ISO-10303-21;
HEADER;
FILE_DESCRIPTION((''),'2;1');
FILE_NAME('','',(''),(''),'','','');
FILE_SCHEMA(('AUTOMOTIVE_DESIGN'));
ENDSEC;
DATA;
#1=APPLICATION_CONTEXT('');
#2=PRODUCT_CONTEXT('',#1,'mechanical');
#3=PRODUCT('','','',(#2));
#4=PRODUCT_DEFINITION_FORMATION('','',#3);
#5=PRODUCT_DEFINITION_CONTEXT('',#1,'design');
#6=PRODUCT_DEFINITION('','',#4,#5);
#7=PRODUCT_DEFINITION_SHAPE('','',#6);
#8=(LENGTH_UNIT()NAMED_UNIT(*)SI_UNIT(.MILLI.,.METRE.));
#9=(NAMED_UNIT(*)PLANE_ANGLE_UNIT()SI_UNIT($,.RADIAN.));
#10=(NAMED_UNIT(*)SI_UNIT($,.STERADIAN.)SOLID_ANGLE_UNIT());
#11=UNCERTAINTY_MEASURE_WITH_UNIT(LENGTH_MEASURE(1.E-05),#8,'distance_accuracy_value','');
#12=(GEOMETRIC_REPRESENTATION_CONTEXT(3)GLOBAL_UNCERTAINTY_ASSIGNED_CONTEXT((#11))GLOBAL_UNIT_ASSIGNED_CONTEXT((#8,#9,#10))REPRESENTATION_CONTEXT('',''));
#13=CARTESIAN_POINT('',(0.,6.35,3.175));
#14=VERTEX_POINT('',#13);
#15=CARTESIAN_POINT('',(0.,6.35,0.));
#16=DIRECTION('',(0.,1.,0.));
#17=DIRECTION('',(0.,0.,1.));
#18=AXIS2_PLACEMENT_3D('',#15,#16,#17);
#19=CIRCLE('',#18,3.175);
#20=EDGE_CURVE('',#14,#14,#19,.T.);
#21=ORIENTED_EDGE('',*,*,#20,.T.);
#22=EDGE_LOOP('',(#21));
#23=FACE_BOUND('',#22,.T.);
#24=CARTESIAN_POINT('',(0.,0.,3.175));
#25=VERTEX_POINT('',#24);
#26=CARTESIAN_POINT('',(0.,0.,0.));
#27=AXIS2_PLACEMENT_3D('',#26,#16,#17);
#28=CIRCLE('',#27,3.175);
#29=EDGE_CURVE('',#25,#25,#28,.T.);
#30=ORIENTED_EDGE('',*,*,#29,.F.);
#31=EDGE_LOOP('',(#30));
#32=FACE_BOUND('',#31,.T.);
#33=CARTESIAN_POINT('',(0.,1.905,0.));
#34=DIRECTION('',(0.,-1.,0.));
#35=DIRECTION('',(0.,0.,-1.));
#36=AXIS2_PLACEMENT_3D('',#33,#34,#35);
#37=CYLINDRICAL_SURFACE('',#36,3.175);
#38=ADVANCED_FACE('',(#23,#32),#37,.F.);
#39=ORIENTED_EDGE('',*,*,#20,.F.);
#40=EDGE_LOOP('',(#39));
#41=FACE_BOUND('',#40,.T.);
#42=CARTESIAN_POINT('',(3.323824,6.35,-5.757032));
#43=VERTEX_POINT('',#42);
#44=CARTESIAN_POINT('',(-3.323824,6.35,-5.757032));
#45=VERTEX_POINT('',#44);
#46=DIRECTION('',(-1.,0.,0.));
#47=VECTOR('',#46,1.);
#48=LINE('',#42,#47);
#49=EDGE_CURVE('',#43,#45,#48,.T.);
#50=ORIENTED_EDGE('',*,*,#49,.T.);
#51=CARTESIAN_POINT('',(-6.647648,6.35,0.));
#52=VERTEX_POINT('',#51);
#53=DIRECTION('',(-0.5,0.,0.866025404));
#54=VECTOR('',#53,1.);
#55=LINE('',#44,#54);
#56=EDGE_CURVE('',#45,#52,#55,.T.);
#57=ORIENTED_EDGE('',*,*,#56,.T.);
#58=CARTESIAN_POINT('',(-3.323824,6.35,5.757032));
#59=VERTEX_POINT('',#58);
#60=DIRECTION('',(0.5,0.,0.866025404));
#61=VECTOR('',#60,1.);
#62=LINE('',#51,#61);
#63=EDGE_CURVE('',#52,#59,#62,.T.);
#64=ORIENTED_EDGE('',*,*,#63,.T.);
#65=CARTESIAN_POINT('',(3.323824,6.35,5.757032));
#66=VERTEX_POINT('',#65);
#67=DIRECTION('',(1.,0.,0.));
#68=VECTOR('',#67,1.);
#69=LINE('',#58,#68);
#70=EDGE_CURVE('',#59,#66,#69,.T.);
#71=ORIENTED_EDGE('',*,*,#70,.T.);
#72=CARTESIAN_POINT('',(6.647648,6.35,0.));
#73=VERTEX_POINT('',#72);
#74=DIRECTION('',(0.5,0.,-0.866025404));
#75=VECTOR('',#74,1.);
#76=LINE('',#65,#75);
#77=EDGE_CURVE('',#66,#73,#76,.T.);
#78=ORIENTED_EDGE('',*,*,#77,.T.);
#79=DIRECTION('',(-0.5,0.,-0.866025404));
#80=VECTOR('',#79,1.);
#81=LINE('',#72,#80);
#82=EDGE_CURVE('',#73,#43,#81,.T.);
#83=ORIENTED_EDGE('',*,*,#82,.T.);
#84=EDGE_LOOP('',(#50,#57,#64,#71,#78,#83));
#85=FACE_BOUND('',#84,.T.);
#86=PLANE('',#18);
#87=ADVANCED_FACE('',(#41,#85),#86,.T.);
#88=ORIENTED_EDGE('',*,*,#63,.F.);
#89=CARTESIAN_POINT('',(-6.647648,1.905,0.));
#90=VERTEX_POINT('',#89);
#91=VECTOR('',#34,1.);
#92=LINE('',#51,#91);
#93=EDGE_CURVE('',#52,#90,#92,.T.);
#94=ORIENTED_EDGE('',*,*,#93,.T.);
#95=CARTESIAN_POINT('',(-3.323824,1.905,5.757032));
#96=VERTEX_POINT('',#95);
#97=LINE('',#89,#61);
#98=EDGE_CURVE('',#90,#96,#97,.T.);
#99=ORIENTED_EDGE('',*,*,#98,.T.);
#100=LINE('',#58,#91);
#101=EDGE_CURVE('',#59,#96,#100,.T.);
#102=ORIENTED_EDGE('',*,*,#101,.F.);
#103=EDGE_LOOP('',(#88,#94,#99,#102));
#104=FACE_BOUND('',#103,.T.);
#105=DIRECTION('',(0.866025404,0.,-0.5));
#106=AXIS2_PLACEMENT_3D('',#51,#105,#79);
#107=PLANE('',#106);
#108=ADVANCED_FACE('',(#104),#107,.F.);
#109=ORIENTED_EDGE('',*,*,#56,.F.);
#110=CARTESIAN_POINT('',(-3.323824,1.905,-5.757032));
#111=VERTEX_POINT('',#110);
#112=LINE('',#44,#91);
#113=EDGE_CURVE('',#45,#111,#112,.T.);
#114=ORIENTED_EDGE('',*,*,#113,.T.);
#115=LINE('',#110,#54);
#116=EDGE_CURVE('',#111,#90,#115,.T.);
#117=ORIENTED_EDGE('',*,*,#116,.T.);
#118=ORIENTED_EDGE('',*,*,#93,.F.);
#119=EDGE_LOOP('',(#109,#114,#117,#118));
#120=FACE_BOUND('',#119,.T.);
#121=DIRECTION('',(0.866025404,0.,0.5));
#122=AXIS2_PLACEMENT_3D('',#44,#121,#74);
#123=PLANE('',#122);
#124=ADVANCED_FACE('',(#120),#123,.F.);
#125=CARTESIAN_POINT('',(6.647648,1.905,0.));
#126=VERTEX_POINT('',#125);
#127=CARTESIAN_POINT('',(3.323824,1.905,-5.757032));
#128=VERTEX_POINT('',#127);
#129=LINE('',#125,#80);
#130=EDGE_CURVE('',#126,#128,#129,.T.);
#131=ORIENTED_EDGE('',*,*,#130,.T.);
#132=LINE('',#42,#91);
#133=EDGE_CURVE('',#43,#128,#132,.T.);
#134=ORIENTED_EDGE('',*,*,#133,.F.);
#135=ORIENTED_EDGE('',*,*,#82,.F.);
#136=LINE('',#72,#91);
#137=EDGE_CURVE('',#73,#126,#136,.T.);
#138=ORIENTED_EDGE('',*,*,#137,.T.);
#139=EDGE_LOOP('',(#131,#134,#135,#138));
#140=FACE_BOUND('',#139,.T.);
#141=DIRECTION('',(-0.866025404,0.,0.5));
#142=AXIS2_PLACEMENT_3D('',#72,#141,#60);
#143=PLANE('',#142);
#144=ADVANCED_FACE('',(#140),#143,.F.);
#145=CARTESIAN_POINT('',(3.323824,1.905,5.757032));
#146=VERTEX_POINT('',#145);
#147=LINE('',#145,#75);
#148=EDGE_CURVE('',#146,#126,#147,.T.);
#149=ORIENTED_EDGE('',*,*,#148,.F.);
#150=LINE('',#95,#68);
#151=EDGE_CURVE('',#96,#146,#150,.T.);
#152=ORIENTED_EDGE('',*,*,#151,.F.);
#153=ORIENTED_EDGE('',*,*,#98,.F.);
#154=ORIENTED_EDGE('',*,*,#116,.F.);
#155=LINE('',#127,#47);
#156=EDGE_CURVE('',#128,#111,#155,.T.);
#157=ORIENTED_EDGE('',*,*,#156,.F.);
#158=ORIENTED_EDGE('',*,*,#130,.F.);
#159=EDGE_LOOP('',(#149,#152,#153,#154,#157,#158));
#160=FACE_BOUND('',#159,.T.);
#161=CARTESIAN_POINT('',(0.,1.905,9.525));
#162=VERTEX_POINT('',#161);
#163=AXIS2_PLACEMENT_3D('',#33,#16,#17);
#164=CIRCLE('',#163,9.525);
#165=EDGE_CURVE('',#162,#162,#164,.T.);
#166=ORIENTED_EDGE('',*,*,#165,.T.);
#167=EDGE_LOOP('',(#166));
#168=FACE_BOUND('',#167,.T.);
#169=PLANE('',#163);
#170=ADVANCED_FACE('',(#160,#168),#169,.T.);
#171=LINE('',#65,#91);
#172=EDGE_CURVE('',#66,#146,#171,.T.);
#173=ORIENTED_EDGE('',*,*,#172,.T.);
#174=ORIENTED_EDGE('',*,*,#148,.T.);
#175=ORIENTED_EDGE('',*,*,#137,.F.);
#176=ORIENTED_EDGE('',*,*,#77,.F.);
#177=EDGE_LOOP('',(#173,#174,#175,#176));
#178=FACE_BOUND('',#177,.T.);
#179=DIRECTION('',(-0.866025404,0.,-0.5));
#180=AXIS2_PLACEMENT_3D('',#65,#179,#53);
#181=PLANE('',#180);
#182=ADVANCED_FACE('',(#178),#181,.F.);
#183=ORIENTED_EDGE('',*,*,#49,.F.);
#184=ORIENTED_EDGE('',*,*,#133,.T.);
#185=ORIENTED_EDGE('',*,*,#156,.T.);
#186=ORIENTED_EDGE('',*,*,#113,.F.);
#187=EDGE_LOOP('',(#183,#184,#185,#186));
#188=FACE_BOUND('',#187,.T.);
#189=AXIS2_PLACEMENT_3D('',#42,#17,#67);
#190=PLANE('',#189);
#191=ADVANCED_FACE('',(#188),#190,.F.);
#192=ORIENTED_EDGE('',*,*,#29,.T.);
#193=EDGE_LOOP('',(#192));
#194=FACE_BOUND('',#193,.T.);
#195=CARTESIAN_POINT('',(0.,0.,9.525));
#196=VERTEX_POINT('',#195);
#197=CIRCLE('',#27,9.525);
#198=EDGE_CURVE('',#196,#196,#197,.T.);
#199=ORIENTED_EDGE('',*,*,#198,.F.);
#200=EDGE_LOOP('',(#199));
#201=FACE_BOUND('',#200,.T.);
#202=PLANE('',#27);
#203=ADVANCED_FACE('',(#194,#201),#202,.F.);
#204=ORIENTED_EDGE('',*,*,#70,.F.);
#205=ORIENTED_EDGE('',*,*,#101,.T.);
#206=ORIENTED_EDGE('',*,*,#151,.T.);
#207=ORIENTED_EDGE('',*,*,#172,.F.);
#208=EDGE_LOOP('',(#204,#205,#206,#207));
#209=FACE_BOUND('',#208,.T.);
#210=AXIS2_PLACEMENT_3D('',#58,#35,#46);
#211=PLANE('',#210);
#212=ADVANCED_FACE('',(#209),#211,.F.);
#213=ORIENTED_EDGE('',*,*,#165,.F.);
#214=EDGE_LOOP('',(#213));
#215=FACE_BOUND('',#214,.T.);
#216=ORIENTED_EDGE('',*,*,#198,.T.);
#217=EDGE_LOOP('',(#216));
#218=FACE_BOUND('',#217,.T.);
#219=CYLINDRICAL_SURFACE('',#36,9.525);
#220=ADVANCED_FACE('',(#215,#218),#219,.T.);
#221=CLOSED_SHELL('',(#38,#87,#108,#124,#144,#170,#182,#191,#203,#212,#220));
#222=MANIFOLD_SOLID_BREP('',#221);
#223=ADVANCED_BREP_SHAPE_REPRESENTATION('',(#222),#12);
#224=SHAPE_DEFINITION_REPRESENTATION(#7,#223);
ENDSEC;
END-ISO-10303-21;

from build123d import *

# Parameters (mm, degrees)
SKETCH3_R           = 9.525
SKETCH3_R_2         = 3.175
BOSS_EXTRUDE1_DEPTH = 1.905
SKETCH4_R           = 3.175
BOSS_EXTRUDE2_DEPTH = 4.445


with BuildPart() as part:
    # Sketch3 → Boss-Extrude1 (new body)
    with BuildSketch(Plane(origin=(0, 0, 0), x_dir=(1, 0, 0), z_dir=(0, 1, 0))):
        Circle(SKETCH3_R)
        Circle(SKETCH3_R_2, mode=Mode.SUBTRACT)
    extrude(amount=BOSS_EXTRUDE1_DEPTH)

    # Sketch4 → Boss-Extrude2 (add)
    with BuildSketch(Plane(origin=(0, 1.905, 0), x_dir=(1, 0, 0), z_dir=(0, 1, 0))):
        Polygon((6.647647659, 0), (3.323823829, 5.757031748), (-3.323823829, 5.757031748), (-6.647647659, 0), (-3.323823829, -5.757031748), (3.323823829, -5.757031748), align=None)
        Circle(SKETCH4_R, mode=Mode.SUBTRACT)
    extrude(amount=BOSS_EXTRUDE2_DEPTH)


solid = part.part
